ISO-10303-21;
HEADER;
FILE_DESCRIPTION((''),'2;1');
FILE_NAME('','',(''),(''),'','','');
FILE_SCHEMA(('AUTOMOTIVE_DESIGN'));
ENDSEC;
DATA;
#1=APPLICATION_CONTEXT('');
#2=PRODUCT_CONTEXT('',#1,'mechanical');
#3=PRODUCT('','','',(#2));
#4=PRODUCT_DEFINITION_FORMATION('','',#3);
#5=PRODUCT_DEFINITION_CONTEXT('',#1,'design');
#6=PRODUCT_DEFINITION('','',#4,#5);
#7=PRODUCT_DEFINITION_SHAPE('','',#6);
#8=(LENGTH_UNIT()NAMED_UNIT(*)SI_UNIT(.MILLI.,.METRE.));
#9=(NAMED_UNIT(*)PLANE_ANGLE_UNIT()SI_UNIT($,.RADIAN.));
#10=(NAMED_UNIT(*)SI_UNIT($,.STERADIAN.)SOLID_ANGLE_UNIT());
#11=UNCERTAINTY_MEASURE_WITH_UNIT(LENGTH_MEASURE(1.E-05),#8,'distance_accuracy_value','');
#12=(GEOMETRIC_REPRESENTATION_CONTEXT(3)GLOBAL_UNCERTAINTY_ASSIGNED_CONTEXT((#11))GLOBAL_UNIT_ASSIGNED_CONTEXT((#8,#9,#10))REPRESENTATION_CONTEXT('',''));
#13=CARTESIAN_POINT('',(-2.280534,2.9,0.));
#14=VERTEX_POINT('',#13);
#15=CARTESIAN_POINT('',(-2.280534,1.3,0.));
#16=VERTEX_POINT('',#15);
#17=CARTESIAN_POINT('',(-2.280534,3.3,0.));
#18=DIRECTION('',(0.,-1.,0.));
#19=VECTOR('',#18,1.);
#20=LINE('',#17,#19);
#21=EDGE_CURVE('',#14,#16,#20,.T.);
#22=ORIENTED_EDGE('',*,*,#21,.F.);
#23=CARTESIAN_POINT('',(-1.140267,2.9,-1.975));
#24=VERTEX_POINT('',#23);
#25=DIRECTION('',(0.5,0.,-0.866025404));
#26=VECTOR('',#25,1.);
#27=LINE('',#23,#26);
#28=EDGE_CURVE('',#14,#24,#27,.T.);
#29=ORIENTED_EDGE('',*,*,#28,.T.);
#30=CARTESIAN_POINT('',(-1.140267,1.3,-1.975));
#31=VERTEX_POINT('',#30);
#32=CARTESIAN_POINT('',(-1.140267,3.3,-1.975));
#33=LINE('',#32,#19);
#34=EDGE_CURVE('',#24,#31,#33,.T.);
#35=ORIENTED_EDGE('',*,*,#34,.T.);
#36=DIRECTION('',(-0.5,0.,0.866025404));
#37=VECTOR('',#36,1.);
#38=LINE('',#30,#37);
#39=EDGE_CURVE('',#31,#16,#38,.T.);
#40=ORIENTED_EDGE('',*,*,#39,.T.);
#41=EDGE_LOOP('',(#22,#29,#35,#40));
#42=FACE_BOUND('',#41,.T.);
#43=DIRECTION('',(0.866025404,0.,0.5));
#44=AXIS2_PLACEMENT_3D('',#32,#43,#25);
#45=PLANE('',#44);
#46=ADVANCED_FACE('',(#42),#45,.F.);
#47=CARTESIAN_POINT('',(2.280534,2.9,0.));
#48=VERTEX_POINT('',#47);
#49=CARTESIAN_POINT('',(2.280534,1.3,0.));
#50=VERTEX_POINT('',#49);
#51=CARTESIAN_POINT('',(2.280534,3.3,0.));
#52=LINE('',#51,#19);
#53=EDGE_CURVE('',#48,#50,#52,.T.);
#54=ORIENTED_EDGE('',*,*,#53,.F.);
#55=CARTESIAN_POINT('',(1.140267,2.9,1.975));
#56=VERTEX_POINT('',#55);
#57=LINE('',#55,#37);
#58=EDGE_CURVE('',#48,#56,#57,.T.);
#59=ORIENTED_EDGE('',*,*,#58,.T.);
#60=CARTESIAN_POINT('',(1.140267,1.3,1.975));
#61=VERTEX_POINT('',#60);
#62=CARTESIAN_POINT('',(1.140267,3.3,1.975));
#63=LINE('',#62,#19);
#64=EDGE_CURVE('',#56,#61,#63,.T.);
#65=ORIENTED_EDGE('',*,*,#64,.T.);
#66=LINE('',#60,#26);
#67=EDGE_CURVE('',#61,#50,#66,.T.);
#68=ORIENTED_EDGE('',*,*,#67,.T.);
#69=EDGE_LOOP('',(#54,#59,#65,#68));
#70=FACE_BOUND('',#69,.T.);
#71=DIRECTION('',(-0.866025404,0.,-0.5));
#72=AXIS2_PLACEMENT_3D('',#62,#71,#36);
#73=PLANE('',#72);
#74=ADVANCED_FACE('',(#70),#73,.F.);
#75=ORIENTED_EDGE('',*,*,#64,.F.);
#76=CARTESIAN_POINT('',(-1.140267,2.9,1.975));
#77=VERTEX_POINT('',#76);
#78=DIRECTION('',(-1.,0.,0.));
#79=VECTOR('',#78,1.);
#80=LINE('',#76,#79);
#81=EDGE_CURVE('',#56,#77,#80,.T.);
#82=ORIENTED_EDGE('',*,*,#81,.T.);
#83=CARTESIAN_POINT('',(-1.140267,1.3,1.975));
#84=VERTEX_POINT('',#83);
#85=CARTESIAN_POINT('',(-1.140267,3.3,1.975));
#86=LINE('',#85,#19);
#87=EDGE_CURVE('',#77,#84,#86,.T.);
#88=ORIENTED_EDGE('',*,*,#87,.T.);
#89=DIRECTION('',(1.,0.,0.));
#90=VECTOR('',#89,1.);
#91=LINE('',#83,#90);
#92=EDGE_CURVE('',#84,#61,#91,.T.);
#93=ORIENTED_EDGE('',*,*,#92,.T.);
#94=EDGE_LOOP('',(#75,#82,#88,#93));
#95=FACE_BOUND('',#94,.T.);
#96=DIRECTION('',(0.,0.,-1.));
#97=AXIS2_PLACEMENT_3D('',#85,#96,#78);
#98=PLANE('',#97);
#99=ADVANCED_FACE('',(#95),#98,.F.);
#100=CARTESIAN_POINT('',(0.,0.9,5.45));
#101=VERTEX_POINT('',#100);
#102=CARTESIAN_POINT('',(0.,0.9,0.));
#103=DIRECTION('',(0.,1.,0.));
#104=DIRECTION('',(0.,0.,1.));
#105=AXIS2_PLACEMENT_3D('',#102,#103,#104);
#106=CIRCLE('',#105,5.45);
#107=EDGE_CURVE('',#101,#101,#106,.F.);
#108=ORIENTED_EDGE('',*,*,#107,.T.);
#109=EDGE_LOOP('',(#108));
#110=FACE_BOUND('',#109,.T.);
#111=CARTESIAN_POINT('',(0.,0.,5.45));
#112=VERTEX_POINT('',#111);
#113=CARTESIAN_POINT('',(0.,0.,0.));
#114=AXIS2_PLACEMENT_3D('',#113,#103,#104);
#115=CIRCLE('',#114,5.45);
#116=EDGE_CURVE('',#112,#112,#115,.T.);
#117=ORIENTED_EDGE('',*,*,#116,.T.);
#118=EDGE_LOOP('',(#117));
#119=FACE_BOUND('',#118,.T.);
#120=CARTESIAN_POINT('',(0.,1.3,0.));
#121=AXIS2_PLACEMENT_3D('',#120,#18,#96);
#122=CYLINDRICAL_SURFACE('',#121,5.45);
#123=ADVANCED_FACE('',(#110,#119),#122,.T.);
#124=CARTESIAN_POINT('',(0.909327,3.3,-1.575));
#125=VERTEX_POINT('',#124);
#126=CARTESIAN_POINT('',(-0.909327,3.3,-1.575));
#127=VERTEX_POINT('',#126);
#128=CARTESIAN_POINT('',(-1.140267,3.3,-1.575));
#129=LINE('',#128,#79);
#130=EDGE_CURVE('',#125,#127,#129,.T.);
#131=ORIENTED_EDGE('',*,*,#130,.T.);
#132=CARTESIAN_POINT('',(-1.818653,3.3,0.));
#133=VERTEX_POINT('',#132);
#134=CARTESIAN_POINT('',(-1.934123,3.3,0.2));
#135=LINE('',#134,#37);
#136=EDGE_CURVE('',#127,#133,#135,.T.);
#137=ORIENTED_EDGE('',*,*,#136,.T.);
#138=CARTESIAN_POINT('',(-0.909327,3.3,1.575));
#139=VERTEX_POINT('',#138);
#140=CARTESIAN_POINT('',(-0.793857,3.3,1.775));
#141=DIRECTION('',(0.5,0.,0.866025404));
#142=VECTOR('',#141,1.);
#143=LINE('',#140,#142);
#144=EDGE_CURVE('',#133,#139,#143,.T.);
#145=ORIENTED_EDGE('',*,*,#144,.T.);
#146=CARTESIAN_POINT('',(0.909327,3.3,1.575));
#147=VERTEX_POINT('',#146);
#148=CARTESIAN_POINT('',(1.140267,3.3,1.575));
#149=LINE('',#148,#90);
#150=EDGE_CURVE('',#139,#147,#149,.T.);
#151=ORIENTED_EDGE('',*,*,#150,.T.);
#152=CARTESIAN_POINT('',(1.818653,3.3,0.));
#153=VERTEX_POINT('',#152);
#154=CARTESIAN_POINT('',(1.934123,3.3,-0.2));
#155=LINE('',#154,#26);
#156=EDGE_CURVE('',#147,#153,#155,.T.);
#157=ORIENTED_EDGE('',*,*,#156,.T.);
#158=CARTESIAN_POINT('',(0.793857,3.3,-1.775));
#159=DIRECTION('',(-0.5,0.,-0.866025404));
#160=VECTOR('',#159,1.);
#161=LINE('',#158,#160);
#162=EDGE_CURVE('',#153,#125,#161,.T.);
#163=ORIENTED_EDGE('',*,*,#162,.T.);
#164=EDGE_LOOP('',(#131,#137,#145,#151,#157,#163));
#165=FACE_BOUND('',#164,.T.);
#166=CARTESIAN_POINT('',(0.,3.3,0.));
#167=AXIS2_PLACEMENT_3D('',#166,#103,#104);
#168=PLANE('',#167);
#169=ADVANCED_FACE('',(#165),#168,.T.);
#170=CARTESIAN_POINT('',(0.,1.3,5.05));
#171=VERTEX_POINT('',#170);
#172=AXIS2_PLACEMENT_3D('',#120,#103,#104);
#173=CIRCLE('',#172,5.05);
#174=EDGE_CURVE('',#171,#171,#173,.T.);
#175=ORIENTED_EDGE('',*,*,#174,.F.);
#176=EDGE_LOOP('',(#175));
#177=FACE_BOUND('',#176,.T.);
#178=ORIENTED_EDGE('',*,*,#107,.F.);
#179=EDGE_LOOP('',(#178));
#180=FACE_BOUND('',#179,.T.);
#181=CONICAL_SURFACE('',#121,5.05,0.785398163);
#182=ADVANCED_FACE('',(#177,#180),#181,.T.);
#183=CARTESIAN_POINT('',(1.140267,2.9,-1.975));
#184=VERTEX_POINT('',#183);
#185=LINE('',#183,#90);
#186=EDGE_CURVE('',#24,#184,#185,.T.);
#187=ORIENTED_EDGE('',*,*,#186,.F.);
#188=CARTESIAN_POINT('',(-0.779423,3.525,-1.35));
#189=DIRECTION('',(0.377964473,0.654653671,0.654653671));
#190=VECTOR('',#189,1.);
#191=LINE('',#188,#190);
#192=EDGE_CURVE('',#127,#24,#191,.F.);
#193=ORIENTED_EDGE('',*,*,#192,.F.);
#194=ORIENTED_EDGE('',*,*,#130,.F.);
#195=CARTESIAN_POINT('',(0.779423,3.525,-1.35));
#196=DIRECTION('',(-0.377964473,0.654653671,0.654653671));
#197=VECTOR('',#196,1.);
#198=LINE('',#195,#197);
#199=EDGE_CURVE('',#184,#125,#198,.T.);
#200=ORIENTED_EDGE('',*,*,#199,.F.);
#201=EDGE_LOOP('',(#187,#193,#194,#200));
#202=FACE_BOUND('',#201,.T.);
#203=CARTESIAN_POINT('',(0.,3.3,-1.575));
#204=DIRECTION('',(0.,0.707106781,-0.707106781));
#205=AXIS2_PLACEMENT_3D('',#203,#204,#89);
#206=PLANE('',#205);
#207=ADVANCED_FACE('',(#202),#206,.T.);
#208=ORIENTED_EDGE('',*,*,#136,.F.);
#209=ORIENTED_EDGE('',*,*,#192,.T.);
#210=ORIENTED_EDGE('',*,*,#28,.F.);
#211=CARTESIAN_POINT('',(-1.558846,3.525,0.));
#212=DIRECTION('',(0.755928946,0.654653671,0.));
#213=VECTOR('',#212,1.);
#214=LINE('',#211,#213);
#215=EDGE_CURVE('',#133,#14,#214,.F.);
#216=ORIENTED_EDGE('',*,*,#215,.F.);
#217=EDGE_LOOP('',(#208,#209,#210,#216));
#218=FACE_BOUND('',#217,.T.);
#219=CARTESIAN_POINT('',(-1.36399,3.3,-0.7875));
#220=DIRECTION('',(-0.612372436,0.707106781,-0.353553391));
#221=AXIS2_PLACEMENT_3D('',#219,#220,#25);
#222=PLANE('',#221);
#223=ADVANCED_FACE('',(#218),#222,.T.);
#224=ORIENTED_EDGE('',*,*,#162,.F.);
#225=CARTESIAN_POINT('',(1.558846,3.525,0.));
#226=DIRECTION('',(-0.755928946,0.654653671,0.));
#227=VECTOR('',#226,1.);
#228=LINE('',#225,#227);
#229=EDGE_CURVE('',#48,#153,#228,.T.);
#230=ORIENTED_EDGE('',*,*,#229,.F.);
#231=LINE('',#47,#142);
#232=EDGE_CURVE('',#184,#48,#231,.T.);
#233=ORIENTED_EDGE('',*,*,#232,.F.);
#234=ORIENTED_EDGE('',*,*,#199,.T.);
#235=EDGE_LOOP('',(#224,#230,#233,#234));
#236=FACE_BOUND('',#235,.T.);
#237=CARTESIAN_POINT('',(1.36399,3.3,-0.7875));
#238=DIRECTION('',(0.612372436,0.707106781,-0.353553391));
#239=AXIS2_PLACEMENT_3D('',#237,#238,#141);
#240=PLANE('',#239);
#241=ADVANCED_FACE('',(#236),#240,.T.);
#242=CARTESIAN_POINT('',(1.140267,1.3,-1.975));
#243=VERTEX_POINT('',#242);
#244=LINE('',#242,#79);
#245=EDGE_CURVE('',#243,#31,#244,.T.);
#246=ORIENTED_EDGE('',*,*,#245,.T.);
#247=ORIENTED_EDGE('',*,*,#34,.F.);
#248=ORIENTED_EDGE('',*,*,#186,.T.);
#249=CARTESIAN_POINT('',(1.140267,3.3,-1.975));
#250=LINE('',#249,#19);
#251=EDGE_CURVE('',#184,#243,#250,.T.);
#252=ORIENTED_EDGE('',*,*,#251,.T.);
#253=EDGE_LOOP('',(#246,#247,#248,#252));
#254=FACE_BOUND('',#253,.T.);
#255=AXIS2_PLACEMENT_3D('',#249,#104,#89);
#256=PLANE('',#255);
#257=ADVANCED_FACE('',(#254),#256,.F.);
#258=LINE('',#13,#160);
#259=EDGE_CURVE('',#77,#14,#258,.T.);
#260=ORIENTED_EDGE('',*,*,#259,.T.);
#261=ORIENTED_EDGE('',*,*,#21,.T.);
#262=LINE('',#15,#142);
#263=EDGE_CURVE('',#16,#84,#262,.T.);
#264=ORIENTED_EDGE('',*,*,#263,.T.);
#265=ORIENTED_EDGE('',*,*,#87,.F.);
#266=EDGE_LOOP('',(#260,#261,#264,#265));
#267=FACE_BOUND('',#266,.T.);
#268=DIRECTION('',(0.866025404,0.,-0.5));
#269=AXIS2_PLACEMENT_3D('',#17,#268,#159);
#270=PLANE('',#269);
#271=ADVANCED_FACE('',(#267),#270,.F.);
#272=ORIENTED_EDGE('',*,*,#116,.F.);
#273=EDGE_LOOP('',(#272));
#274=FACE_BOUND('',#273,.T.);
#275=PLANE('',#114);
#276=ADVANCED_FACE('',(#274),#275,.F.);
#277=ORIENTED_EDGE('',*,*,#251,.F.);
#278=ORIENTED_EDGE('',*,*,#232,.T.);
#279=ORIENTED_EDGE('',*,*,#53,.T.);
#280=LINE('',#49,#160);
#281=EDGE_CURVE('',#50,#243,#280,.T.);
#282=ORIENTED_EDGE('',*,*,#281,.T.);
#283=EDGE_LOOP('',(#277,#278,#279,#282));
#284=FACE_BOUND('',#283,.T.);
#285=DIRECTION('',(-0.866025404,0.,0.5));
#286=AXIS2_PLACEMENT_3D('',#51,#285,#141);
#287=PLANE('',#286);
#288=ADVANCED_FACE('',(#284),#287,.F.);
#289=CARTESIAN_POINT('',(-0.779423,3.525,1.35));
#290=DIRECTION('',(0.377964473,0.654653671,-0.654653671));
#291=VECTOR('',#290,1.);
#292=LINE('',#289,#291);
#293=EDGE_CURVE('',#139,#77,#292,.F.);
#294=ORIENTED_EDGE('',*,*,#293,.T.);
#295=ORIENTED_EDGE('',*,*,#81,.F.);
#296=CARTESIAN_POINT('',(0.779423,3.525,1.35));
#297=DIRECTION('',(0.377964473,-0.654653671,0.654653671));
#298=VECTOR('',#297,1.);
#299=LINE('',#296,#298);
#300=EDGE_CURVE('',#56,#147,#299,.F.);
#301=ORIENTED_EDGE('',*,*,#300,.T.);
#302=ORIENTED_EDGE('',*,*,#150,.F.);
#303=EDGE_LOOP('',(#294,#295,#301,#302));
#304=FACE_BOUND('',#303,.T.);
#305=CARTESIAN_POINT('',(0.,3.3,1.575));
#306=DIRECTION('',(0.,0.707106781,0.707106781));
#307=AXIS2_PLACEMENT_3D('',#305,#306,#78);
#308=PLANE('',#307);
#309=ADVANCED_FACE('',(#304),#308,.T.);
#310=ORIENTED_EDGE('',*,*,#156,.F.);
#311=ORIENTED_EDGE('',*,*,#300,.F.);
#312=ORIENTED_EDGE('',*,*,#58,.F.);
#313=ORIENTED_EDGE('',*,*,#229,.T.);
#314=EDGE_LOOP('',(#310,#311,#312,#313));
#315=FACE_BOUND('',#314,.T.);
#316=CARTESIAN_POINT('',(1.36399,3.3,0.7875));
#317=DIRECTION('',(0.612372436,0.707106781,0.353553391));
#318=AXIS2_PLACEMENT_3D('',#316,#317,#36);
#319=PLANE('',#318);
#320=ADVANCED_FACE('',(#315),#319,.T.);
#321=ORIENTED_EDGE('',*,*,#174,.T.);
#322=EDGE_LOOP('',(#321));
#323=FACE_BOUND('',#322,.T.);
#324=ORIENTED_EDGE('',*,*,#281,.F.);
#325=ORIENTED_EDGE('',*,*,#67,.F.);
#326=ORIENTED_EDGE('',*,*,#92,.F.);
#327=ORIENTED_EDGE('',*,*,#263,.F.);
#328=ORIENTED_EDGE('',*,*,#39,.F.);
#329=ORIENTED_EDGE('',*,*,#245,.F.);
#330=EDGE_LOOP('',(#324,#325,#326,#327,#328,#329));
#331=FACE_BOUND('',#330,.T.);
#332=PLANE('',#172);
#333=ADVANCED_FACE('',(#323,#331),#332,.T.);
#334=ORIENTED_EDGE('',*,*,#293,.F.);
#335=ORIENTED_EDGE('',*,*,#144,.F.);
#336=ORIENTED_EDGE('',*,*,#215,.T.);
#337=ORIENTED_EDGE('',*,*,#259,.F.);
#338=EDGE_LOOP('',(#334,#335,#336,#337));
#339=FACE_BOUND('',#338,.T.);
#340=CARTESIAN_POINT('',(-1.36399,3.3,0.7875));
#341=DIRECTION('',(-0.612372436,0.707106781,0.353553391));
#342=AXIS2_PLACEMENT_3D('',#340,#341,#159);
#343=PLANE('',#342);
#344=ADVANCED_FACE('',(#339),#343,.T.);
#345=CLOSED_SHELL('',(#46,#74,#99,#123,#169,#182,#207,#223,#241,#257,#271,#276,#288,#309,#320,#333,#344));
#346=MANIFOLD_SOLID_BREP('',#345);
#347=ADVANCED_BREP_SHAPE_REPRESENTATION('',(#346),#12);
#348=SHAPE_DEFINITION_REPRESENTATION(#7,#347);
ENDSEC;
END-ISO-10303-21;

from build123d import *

# Parameters (mm, degrees)
SZKIC1_R                    = 5.45
DODANIE_WYCI_GNI_CIE1_DEPTH = 1.3
DODANIE_WYCI_GNI_CIE2_DEPTH = 2
SFAZOWANIE1_SIZE            = 0.4


with BuildPart() as part:
    # Szkic1 → Dodanie-wyciągnięcie1 (new body)
    with BuildSketch(Plane(origin=(0, 0, 0), x_dir=(1, 0, 0), z_dir=(0, 1, 0))):
        with Locations(Location((0, 0, 0), (0, 0, 270))):
            Circle(SZKIC1_R)
    extrude(amount=DODANIE_WYCI_GNI_CIE1_DEPTH)

    # Szkic2 → Dodanie-wyciągnięcie2 (add)
    with BuildSketch(Plane(origin=(0, 1.3, 0), x_dir=(1, 0, 0), z_dir=(0, 1, 0))):
        Polygon((2.280533563, 0), (1.140266782, 1.975), (-1.140266782, 1.975), (-2.280533563, 0), (-1.140266782, -1.975), (1.140266782, -1.975), align=None)
    extrude(amount=DODANIE_WYCI_GNI_CIE2_DEPTH)

    # Sfazowanie1
    sfazowanie1_edges = [part.edges().sort_by_distance(p)[0] for p in [
        (1.710400172, 3.3, 0.9875),
        (1.710400172, 3.3, -0.9875),
        (0, 3.3, -1.975),
        (-1.710400172, 3.3, -0.9875),
        (-1.710400172, 3.3, 0.9875),
        (0, 3.3, 1.975),
        (0, 1.3, -5.45),
    ]]
    chamfer(sfazowanie1_edges, length=SFAZOWANIE1_SIZE)


solid = part.part
